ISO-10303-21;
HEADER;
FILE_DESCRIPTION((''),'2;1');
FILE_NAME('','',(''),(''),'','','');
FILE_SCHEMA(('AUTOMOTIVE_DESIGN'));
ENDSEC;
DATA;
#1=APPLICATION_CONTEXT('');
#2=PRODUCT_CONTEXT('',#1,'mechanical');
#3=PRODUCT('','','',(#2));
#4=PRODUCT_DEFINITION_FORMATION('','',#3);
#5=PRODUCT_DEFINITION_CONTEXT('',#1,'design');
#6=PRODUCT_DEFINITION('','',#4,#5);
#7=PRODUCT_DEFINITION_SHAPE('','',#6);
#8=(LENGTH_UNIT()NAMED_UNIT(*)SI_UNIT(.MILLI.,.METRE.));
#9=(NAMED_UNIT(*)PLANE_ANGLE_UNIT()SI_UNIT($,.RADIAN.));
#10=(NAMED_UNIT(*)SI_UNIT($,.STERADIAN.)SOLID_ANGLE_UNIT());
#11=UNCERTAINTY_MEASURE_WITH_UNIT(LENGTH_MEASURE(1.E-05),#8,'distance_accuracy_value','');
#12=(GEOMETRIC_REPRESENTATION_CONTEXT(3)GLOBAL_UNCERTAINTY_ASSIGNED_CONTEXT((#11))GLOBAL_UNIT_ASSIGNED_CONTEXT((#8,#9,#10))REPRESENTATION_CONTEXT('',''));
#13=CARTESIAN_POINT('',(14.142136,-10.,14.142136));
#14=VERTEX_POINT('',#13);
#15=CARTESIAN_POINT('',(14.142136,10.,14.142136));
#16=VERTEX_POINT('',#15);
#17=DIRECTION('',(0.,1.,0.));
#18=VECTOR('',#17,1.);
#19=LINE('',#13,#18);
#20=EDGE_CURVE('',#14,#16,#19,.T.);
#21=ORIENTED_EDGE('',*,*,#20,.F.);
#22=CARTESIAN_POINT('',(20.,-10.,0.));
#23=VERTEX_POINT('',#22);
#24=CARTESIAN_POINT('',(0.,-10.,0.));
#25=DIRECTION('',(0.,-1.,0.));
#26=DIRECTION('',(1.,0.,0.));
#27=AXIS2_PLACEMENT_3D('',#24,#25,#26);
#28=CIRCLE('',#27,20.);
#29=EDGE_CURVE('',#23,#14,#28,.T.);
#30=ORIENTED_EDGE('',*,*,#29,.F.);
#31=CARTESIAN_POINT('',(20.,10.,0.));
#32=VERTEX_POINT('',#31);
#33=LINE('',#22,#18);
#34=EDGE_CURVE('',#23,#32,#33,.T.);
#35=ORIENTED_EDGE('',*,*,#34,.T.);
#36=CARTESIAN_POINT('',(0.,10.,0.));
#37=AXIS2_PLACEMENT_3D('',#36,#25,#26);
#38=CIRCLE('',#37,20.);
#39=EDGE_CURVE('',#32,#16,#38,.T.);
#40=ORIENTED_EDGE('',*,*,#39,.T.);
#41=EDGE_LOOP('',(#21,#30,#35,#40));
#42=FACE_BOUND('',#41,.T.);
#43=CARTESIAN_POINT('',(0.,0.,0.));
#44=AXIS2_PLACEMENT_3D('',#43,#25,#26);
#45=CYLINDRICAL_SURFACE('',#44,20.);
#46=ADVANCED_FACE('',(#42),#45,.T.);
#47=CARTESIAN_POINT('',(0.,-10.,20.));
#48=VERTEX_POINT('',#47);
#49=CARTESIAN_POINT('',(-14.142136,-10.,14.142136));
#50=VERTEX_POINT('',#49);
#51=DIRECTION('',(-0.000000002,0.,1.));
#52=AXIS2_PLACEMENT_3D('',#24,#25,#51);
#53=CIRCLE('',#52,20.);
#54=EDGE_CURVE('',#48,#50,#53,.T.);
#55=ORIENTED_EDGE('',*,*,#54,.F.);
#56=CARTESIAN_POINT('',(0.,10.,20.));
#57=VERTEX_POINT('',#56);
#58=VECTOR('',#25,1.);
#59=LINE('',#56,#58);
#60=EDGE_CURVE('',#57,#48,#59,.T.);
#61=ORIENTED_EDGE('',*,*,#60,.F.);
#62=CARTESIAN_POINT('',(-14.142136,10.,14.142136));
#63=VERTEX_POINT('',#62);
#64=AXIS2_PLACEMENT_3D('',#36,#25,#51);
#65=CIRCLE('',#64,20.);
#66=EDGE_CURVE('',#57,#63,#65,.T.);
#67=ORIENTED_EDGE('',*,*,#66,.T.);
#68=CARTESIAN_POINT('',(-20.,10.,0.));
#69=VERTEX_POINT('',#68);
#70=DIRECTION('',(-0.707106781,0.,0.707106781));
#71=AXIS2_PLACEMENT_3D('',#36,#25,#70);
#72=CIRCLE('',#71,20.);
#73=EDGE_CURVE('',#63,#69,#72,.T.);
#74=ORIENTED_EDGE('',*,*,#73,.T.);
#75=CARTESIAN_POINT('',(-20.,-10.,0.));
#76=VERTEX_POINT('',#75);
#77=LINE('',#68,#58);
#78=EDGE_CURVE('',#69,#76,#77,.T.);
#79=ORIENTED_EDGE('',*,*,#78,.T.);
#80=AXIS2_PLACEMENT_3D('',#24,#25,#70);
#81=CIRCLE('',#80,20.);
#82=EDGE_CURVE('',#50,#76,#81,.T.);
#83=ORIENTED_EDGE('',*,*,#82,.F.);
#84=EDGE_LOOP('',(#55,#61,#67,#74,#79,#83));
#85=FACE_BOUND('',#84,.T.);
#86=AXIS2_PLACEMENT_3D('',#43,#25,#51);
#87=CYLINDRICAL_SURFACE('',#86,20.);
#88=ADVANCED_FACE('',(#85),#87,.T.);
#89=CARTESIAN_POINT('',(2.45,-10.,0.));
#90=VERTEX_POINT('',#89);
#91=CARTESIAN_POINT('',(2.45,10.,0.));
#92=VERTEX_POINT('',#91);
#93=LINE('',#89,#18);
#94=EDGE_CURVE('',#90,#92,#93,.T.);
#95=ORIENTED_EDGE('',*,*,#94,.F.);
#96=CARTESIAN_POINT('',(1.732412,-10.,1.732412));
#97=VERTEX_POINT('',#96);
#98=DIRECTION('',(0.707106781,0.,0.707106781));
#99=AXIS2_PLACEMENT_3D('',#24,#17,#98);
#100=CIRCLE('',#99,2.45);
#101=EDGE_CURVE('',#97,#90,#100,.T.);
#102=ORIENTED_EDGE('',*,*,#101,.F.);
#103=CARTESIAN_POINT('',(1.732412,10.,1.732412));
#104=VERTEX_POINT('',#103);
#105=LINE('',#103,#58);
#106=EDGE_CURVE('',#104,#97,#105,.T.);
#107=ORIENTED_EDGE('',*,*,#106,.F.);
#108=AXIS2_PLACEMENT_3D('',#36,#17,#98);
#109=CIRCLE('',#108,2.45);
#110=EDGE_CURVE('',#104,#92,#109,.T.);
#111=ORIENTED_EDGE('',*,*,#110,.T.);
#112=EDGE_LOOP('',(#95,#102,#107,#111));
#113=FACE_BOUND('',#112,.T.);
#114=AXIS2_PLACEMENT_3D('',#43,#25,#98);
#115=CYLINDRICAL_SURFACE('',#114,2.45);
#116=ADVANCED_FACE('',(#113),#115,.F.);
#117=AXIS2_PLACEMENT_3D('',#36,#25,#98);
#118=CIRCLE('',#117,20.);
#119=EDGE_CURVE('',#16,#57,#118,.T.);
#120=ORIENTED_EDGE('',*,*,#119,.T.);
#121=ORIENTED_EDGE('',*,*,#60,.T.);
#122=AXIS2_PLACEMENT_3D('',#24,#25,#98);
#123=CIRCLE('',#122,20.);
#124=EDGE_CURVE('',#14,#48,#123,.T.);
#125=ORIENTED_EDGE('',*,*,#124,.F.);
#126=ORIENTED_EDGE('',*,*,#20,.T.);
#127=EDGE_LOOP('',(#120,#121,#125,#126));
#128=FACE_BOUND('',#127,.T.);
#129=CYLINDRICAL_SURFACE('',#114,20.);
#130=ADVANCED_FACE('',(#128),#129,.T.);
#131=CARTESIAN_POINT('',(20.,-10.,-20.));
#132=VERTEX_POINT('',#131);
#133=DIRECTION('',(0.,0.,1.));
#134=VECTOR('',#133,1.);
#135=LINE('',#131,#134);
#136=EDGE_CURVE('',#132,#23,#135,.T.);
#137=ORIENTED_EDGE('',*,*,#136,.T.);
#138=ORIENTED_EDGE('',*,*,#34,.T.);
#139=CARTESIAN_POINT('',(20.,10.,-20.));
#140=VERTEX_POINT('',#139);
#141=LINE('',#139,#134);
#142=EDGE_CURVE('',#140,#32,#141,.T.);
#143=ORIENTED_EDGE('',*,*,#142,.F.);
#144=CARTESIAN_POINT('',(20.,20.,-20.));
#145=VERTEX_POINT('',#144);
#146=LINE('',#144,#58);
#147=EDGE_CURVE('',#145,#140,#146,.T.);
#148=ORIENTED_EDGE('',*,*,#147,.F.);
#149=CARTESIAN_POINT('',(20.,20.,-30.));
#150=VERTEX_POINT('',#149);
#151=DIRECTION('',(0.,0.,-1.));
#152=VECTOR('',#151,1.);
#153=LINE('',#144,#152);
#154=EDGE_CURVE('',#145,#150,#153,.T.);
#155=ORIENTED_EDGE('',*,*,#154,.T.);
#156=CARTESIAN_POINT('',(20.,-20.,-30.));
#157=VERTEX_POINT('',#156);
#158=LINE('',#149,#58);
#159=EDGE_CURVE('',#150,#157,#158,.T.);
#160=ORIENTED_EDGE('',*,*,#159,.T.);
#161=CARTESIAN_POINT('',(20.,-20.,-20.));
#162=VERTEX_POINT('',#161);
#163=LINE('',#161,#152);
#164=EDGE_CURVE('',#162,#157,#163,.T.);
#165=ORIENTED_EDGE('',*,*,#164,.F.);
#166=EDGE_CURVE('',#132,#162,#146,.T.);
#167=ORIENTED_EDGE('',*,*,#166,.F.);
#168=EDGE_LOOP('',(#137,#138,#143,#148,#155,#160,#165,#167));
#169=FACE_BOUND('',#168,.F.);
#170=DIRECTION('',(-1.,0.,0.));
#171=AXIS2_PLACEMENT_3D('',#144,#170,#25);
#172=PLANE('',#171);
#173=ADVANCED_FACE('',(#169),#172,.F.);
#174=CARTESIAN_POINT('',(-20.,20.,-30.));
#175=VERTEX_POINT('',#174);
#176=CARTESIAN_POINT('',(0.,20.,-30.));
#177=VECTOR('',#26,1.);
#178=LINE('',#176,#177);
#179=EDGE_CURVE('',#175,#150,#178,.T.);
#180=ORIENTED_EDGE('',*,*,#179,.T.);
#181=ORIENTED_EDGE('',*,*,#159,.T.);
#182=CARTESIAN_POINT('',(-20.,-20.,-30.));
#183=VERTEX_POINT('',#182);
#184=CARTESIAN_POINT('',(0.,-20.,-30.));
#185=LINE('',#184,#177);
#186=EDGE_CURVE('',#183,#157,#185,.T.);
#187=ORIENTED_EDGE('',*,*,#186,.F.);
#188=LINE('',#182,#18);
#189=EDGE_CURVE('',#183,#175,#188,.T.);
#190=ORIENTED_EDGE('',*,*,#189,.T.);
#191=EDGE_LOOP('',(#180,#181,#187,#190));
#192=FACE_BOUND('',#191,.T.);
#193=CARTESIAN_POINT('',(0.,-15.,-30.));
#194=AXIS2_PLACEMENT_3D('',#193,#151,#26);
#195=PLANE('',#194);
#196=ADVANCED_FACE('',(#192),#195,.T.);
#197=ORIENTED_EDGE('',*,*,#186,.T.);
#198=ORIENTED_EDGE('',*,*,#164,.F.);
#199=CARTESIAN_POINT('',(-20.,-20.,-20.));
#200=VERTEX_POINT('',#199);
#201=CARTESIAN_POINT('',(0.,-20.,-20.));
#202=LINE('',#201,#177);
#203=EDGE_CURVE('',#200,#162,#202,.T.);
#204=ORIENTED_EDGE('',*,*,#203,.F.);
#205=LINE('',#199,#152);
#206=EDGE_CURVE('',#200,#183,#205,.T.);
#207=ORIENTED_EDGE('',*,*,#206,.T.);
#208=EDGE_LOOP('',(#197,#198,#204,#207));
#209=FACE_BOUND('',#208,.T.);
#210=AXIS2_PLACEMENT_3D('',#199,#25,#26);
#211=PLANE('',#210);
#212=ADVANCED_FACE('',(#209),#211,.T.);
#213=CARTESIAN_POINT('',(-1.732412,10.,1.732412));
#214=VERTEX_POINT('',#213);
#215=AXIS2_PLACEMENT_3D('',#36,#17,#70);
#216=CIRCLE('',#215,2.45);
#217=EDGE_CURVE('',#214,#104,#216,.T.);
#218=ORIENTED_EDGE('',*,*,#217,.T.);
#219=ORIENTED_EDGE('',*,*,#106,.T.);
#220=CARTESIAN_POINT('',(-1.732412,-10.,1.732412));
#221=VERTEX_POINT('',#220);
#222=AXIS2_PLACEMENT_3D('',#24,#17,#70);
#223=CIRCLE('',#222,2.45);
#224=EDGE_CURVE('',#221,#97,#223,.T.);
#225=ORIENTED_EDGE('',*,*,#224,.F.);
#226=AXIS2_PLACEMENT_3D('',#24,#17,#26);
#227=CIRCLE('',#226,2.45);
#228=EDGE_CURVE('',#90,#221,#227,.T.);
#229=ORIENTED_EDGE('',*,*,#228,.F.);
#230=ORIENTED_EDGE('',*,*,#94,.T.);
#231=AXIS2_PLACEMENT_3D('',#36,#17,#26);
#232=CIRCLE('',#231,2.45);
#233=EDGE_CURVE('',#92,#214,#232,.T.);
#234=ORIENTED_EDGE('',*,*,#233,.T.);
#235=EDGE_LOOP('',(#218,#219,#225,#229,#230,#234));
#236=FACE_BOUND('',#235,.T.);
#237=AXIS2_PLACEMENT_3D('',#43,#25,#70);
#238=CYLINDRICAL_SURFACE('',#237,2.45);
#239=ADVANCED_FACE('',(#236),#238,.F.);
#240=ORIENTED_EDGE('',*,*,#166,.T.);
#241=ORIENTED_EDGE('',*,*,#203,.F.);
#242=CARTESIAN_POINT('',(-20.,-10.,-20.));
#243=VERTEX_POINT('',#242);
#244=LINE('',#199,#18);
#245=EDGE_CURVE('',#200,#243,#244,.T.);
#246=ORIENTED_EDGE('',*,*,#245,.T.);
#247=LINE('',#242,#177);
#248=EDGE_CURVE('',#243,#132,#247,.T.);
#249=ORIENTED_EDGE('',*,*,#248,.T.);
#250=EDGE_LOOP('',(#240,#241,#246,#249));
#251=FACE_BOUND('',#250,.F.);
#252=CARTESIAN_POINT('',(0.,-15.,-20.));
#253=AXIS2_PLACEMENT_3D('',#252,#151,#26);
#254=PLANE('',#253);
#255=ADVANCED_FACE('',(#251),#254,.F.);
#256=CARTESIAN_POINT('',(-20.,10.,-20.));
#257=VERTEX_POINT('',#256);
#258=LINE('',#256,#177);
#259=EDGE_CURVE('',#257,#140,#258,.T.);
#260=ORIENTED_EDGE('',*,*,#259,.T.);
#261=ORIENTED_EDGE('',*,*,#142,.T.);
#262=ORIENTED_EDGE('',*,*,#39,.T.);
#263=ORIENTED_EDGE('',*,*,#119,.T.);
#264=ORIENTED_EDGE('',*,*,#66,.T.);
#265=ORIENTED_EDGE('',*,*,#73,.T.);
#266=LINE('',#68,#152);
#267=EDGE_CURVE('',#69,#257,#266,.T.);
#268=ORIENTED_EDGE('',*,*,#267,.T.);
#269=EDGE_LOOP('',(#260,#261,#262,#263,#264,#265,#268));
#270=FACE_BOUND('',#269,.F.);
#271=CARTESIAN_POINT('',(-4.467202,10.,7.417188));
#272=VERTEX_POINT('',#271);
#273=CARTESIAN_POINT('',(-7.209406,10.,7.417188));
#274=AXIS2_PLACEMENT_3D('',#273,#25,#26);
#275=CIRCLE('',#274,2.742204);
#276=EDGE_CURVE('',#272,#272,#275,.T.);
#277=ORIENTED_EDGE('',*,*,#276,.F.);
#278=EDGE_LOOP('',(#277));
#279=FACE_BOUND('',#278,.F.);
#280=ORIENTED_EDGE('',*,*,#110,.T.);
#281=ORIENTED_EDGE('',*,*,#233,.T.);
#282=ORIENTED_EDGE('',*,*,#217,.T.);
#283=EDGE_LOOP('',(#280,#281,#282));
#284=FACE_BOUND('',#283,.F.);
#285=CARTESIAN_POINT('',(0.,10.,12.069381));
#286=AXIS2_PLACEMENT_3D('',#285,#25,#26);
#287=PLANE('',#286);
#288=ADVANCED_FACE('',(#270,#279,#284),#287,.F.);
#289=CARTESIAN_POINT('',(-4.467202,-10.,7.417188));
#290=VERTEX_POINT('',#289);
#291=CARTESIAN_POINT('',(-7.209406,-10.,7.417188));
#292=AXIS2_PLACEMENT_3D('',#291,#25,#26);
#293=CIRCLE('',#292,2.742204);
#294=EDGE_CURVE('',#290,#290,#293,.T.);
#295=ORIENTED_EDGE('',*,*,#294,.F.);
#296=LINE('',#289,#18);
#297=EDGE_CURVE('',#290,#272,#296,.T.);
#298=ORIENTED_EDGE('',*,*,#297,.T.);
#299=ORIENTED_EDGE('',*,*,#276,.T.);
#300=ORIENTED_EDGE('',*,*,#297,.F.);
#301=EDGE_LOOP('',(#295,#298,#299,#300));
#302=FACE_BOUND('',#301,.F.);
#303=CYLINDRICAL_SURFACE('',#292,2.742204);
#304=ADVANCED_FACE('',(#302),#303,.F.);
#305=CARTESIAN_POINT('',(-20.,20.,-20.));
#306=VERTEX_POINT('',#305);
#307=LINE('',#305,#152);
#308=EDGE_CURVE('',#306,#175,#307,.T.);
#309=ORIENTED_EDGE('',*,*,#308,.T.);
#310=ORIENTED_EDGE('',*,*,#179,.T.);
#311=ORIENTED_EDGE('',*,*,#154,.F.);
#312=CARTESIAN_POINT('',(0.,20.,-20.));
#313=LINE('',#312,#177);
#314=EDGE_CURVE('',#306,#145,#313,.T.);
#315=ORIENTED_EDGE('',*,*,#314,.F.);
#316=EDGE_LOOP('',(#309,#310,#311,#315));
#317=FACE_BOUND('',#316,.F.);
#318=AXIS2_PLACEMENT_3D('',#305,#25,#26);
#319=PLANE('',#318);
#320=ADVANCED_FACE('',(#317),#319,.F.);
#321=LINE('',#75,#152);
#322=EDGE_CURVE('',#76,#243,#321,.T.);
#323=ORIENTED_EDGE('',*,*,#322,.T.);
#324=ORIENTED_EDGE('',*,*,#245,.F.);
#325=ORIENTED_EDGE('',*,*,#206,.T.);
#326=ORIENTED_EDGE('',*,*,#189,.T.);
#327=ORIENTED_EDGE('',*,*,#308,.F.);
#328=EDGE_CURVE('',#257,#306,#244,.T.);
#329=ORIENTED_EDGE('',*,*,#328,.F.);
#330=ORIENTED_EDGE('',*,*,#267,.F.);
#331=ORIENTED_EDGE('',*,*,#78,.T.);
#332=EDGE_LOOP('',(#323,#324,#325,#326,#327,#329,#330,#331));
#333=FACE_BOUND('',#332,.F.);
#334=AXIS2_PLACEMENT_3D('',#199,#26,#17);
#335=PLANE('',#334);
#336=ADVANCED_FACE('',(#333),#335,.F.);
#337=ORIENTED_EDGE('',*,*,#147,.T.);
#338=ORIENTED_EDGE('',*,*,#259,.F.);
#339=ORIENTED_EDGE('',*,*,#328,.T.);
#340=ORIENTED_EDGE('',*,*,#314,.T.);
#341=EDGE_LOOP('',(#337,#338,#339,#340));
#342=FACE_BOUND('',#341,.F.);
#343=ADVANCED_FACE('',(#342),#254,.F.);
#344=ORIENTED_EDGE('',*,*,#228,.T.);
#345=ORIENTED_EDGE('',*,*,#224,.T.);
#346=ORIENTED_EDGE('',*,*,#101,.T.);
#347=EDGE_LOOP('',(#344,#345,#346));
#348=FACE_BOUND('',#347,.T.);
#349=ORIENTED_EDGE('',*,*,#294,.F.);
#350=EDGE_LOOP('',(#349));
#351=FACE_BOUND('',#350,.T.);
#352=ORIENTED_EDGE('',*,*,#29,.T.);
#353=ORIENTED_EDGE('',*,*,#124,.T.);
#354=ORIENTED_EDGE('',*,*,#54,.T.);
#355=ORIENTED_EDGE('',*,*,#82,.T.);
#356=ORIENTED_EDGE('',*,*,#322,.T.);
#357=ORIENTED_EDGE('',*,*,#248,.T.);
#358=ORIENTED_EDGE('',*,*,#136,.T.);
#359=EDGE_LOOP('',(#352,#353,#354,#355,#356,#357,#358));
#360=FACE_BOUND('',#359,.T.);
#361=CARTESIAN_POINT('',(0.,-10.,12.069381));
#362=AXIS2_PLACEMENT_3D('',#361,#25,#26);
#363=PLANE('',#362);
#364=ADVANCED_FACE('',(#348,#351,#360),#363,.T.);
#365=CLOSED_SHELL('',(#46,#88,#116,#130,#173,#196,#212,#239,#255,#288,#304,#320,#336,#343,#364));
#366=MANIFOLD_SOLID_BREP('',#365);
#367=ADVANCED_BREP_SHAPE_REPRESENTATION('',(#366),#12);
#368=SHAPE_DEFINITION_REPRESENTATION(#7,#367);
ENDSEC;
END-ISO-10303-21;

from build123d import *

# Parameters (mm, degrees)
F1_DEPTH = 10
F2_R     = 2.742204369
F3_DEPTH = 25
F4_W     = 40
F4_H     = 10
F4_H_2   = 20
F5_DEPTH = 10


with BuildPart() as f1:
    # F0 (on Front) → F1 (new body, symmetric)
    with BuildSketch(Plane.XZ):
        with BuildLine():
            Line((1.7324116139, 1.7324116139), (14.1421356237, 14.1421356237))
            ThreePointArc((14.1421356237, 14.1421356237), (7.6536686307, 18.4775906571), (-3.59e-08, 20))
            ThreePointArc((-3.59e-08, 20), (-7.6536686639, 18.4775906433), (-14.1421356237, 14.1421356237))
            Line((-14.1421356237, 14.1421356237), (-1.7324116139, 1.7324116139))
            ThreePointArc((-1.7324116139, 1.7324116139), (0, 2.45), (1.7324116139, 1.7324116139))
        make_face()
        with BuildLine():
            ThreePointArc((-20, 0), (-14.1421356237, -14.1421356237), (0, -20))
            ThreePointArc((0, -20), (14.1421356237, -14.1421356237), (20, 0))
            ThreePointArc((20, 0), (18.4775906502, 7.6536686473), (14.1421356237, 14.1421356237))
            Line((14.1421356237, 14.1421356237), (1.7324116139, 1.7324116139))
            ThreePointArc((1.7324116139, 1.7324116139), (2.2635048547, 0.9375744093), (2.45, 0))
            ThreePointArc((2.45, 0), (-0.9375744093, -2.2635048547), (-1.7324116139, 1.7324116139))
            Line((-1.7324116139, 1.7324116139), (-14.1421356237, 14.1421356237))
            ThreePointArc((-14.1421356237, 14.1421356237), (-18.4775906502, 7.6536686473), (-20, 0))
        make_face()
        with BuildLine():
            Line((-20, -20), (0, -20))
            ThreePointArc((0, -20), (-14.1421356237, -14.1421356237), (-20, 0))
            Line((-20, 0), (-20, -20))
        make_face()
        with BuildLine():
            Line((0, -20), (20, -20))
            Line((20, -20), (20, 0))
            ThreePointArc((20, 0), (14.1421356237, -14.1421356237), (0, -20))
        make_face()
    extrude(amount=F1_DEPTH, both=True)

    # F2 (on face) → F3 (cut)
    with BuildSketch(Plane.XZ.offset(10)):
        with Locations((-7.2094062343, 7.4171875603)):
            Circle(F2_R)
    extrude(amount=-F3_DEPTH, mode=Mode.SUBTRACT)

    # F4 (on face) → F5 (join)
    with BuildSketch(Plane(origin=(0, 0, -20), x_dir=(1, 0, 0), z_dir=(0, 0, -1))):
        with Locations((0, 15)):
            Rectangle(F4_W, F4_H)
        Rectangle(F4_W, F4_H_2)
        with Locations((0, -15)):
            Rectangle(F4_W, F4_H)
    extrude(amount=F5_DEPTH)


solid = f1.part
